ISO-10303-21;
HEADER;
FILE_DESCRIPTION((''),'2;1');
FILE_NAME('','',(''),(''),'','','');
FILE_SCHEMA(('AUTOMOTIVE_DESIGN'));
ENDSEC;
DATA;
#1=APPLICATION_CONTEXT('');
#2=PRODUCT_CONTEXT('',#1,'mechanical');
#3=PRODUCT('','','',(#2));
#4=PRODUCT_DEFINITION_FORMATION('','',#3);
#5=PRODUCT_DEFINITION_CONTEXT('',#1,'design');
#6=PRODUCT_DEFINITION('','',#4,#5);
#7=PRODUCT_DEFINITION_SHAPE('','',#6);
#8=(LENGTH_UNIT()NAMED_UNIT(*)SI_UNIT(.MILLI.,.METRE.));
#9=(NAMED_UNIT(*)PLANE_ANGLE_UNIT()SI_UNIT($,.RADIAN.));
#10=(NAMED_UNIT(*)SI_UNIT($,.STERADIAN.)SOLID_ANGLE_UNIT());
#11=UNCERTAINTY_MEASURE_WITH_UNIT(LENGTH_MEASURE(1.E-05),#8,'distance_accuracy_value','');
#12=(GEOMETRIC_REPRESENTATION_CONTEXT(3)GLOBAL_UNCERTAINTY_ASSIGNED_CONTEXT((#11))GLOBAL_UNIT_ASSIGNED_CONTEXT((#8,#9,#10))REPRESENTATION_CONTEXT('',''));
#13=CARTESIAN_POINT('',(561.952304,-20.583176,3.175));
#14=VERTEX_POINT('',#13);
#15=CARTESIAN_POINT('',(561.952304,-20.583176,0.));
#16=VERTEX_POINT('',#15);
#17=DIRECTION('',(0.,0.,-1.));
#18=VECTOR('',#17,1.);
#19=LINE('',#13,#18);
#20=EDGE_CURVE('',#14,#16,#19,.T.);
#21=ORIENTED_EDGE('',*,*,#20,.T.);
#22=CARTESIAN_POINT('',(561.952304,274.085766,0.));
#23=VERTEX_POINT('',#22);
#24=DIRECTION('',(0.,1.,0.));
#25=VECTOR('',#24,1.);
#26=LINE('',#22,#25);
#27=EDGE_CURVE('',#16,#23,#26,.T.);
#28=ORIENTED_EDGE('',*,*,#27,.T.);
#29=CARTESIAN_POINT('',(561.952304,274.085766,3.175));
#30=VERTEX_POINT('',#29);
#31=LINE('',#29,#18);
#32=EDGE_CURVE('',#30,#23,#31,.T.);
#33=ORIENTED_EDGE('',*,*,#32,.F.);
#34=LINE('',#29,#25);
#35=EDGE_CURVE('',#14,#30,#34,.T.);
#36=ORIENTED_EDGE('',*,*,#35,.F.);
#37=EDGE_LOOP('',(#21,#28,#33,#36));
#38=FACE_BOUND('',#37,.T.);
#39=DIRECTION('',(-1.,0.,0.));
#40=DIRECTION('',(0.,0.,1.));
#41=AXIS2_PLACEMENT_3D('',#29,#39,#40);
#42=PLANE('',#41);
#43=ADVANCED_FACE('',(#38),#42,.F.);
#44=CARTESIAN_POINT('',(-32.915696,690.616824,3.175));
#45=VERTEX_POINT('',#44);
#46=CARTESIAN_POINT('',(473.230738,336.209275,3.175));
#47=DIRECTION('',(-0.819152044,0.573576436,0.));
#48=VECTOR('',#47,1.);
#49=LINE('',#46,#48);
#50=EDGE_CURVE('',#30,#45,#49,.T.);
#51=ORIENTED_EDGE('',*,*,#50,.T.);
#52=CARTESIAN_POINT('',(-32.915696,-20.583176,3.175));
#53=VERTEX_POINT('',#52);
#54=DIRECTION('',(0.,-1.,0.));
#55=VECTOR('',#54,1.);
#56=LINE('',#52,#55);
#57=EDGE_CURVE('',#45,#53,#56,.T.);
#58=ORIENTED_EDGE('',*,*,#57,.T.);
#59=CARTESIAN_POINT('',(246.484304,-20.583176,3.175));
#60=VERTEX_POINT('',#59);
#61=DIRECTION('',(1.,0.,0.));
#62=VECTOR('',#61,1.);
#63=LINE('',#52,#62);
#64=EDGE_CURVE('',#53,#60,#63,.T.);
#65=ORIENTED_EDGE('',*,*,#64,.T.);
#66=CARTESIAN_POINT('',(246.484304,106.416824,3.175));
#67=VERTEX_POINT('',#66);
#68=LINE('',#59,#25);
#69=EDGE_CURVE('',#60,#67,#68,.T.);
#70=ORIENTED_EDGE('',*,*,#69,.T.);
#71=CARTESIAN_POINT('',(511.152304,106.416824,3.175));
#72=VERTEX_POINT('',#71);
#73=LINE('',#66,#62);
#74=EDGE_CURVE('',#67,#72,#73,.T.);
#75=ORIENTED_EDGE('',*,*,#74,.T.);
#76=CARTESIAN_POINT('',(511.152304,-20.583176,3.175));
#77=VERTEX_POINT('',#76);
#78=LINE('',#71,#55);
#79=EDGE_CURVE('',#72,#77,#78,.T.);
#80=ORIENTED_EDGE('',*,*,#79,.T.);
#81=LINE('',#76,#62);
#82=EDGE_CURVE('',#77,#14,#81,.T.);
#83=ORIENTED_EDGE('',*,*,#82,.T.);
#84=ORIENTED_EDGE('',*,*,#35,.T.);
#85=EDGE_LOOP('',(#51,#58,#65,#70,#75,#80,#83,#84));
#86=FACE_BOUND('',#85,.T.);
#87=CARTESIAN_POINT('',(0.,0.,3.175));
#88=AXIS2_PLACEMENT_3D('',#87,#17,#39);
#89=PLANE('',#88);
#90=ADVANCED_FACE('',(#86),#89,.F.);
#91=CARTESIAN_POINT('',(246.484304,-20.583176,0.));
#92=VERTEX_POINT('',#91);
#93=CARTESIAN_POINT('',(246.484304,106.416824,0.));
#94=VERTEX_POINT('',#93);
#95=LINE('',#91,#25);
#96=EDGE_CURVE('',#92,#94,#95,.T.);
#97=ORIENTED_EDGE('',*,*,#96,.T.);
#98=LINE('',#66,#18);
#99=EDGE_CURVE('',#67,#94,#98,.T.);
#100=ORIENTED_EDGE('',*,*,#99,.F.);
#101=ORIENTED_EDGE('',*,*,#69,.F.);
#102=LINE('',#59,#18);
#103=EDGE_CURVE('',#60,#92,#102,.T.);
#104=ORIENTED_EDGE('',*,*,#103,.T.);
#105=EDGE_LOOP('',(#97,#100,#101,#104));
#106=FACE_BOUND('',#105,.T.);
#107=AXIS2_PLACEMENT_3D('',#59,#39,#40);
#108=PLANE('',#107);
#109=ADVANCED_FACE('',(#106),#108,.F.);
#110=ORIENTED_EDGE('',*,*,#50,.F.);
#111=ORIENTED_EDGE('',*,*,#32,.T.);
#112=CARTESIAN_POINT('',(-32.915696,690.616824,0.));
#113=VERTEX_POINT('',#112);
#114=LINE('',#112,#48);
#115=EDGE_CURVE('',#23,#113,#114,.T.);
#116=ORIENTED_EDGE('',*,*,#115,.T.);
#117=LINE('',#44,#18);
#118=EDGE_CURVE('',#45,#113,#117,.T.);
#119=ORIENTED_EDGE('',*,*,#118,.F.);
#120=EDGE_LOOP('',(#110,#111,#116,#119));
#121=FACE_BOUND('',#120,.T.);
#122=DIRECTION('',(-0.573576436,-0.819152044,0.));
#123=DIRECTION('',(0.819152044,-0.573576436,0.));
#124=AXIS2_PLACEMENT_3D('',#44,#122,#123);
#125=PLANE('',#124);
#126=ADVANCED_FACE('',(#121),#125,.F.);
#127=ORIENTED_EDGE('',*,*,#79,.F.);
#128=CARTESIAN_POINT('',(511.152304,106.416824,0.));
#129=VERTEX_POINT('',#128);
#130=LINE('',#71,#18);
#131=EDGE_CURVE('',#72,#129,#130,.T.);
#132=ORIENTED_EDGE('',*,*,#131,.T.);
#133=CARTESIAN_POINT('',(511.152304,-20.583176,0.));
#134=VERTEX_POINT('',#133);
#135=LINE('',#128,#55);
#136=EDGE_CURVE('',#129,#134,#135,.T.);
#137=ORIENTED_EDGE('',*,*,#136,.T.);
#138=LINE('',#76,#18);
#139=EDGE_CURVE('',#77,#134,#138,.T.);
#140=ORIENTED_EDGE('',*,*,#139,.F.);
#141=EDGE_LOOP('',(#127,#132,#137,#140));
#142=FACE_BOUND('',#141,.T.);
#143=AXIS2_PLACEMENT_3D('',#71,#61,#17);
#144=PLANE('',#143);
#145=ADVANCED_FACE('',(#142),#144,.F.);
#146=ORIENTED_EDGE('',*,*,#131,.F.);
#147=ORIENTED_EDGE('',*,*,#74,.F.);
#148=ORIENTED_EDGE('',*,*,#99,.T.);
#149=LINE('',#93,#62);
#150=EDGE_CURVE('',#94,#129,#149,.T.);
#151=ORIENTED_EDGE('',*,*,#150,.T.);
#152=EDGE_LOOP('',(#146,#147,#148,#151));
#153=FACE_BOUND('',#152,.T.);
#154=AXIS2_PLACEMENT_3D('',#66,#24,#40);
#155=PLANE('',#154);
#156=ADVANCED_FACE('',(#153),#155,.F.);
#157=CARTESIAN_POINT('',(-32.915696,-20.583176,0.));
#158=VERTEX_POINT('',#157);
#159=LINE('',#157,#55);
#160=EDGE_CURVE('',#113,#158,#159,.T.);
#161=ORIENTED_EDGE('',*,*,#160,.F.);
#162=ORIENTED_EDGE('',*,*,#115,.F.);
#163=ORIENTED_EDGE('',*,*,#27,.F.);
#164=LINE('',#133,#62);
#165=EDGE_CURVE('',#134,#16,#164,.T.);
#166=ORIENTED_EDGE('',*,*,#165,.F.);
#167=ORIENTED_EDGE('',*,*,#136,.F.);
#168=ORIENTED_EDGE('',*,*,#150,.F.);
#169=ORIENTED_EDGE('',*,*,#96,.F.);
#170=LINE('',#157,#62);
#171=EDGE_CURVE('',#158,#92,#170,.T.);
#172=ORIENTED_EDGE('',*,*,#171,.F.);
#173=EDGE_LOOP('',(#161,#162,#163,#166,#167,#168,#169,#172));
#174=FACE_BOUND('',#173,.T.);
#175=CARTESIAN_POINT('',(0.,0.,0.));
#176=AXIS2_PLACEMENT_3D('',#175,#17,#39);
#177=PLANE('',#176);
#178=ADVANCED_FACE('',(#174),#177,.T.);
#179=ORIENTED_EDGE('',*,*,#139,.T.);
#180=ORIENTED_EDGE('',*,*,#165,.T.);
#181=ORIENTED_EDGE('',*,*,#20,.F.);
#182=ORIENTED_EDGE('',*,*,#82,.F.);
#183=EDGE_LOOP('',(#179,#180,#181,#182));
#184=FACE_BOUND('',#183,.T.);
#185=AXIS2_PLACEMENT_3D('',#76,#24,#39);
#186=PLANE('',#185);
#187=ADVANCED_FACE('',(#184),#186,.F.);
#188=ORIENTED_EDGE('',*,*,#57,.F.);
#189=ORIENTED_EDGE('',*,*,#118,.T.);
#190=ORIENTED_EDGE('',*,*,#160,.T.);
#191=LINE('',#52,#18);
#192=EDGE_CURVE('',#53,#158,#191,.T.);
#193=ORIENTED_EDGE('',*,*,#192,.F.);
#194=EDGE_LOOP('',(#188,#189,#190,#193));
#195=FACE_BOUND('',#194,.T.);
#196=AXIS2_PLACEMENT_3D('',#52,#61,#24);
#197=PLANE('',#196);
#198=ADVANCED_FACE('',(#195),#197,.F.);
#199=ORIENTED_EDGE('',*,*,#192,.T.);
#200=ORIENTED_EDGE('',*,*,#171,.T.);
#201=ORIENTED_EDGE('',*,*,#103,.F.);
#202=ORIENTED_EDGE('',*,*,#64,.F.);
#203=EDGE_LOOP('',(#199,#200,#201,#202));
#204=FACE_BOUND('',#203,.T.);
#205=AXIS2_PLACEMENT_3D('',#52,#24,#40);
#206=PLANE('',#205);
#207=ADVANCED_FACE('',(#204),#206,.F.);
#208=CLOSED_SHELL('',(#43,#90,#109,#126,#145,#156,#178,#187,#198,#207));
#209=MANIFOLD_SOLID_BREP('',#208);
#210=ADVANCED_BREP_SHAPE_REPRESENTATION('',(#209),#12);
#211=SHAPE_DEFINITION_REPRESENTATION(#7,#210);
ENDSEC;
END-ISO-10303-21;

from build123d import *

# Parameters (mm, degrees)
BOSS_EXTRUDE1_DEPTH = 3.175


with BuildPart() as part:
    # Sketch1 → Boss-Extrude1 (new body)
    with BuildSketch(Plane.XY):
        Polygon((-32.915696386, -20.583175965), (246.484303614, -20.583175965), (246.484303614, 106.416824035), (511.152303614, 106.416824035), (511.152303614, -20.583175965), (561.952303614, -20.583175965), (561.952303614, 274.085766196), (473.230737732, 336.209275428), (-32.915696386, 690.616824035), align=None)
    extrude(amount=BOSS_EXTRUDE1_DEPTH)


solid = part.part
